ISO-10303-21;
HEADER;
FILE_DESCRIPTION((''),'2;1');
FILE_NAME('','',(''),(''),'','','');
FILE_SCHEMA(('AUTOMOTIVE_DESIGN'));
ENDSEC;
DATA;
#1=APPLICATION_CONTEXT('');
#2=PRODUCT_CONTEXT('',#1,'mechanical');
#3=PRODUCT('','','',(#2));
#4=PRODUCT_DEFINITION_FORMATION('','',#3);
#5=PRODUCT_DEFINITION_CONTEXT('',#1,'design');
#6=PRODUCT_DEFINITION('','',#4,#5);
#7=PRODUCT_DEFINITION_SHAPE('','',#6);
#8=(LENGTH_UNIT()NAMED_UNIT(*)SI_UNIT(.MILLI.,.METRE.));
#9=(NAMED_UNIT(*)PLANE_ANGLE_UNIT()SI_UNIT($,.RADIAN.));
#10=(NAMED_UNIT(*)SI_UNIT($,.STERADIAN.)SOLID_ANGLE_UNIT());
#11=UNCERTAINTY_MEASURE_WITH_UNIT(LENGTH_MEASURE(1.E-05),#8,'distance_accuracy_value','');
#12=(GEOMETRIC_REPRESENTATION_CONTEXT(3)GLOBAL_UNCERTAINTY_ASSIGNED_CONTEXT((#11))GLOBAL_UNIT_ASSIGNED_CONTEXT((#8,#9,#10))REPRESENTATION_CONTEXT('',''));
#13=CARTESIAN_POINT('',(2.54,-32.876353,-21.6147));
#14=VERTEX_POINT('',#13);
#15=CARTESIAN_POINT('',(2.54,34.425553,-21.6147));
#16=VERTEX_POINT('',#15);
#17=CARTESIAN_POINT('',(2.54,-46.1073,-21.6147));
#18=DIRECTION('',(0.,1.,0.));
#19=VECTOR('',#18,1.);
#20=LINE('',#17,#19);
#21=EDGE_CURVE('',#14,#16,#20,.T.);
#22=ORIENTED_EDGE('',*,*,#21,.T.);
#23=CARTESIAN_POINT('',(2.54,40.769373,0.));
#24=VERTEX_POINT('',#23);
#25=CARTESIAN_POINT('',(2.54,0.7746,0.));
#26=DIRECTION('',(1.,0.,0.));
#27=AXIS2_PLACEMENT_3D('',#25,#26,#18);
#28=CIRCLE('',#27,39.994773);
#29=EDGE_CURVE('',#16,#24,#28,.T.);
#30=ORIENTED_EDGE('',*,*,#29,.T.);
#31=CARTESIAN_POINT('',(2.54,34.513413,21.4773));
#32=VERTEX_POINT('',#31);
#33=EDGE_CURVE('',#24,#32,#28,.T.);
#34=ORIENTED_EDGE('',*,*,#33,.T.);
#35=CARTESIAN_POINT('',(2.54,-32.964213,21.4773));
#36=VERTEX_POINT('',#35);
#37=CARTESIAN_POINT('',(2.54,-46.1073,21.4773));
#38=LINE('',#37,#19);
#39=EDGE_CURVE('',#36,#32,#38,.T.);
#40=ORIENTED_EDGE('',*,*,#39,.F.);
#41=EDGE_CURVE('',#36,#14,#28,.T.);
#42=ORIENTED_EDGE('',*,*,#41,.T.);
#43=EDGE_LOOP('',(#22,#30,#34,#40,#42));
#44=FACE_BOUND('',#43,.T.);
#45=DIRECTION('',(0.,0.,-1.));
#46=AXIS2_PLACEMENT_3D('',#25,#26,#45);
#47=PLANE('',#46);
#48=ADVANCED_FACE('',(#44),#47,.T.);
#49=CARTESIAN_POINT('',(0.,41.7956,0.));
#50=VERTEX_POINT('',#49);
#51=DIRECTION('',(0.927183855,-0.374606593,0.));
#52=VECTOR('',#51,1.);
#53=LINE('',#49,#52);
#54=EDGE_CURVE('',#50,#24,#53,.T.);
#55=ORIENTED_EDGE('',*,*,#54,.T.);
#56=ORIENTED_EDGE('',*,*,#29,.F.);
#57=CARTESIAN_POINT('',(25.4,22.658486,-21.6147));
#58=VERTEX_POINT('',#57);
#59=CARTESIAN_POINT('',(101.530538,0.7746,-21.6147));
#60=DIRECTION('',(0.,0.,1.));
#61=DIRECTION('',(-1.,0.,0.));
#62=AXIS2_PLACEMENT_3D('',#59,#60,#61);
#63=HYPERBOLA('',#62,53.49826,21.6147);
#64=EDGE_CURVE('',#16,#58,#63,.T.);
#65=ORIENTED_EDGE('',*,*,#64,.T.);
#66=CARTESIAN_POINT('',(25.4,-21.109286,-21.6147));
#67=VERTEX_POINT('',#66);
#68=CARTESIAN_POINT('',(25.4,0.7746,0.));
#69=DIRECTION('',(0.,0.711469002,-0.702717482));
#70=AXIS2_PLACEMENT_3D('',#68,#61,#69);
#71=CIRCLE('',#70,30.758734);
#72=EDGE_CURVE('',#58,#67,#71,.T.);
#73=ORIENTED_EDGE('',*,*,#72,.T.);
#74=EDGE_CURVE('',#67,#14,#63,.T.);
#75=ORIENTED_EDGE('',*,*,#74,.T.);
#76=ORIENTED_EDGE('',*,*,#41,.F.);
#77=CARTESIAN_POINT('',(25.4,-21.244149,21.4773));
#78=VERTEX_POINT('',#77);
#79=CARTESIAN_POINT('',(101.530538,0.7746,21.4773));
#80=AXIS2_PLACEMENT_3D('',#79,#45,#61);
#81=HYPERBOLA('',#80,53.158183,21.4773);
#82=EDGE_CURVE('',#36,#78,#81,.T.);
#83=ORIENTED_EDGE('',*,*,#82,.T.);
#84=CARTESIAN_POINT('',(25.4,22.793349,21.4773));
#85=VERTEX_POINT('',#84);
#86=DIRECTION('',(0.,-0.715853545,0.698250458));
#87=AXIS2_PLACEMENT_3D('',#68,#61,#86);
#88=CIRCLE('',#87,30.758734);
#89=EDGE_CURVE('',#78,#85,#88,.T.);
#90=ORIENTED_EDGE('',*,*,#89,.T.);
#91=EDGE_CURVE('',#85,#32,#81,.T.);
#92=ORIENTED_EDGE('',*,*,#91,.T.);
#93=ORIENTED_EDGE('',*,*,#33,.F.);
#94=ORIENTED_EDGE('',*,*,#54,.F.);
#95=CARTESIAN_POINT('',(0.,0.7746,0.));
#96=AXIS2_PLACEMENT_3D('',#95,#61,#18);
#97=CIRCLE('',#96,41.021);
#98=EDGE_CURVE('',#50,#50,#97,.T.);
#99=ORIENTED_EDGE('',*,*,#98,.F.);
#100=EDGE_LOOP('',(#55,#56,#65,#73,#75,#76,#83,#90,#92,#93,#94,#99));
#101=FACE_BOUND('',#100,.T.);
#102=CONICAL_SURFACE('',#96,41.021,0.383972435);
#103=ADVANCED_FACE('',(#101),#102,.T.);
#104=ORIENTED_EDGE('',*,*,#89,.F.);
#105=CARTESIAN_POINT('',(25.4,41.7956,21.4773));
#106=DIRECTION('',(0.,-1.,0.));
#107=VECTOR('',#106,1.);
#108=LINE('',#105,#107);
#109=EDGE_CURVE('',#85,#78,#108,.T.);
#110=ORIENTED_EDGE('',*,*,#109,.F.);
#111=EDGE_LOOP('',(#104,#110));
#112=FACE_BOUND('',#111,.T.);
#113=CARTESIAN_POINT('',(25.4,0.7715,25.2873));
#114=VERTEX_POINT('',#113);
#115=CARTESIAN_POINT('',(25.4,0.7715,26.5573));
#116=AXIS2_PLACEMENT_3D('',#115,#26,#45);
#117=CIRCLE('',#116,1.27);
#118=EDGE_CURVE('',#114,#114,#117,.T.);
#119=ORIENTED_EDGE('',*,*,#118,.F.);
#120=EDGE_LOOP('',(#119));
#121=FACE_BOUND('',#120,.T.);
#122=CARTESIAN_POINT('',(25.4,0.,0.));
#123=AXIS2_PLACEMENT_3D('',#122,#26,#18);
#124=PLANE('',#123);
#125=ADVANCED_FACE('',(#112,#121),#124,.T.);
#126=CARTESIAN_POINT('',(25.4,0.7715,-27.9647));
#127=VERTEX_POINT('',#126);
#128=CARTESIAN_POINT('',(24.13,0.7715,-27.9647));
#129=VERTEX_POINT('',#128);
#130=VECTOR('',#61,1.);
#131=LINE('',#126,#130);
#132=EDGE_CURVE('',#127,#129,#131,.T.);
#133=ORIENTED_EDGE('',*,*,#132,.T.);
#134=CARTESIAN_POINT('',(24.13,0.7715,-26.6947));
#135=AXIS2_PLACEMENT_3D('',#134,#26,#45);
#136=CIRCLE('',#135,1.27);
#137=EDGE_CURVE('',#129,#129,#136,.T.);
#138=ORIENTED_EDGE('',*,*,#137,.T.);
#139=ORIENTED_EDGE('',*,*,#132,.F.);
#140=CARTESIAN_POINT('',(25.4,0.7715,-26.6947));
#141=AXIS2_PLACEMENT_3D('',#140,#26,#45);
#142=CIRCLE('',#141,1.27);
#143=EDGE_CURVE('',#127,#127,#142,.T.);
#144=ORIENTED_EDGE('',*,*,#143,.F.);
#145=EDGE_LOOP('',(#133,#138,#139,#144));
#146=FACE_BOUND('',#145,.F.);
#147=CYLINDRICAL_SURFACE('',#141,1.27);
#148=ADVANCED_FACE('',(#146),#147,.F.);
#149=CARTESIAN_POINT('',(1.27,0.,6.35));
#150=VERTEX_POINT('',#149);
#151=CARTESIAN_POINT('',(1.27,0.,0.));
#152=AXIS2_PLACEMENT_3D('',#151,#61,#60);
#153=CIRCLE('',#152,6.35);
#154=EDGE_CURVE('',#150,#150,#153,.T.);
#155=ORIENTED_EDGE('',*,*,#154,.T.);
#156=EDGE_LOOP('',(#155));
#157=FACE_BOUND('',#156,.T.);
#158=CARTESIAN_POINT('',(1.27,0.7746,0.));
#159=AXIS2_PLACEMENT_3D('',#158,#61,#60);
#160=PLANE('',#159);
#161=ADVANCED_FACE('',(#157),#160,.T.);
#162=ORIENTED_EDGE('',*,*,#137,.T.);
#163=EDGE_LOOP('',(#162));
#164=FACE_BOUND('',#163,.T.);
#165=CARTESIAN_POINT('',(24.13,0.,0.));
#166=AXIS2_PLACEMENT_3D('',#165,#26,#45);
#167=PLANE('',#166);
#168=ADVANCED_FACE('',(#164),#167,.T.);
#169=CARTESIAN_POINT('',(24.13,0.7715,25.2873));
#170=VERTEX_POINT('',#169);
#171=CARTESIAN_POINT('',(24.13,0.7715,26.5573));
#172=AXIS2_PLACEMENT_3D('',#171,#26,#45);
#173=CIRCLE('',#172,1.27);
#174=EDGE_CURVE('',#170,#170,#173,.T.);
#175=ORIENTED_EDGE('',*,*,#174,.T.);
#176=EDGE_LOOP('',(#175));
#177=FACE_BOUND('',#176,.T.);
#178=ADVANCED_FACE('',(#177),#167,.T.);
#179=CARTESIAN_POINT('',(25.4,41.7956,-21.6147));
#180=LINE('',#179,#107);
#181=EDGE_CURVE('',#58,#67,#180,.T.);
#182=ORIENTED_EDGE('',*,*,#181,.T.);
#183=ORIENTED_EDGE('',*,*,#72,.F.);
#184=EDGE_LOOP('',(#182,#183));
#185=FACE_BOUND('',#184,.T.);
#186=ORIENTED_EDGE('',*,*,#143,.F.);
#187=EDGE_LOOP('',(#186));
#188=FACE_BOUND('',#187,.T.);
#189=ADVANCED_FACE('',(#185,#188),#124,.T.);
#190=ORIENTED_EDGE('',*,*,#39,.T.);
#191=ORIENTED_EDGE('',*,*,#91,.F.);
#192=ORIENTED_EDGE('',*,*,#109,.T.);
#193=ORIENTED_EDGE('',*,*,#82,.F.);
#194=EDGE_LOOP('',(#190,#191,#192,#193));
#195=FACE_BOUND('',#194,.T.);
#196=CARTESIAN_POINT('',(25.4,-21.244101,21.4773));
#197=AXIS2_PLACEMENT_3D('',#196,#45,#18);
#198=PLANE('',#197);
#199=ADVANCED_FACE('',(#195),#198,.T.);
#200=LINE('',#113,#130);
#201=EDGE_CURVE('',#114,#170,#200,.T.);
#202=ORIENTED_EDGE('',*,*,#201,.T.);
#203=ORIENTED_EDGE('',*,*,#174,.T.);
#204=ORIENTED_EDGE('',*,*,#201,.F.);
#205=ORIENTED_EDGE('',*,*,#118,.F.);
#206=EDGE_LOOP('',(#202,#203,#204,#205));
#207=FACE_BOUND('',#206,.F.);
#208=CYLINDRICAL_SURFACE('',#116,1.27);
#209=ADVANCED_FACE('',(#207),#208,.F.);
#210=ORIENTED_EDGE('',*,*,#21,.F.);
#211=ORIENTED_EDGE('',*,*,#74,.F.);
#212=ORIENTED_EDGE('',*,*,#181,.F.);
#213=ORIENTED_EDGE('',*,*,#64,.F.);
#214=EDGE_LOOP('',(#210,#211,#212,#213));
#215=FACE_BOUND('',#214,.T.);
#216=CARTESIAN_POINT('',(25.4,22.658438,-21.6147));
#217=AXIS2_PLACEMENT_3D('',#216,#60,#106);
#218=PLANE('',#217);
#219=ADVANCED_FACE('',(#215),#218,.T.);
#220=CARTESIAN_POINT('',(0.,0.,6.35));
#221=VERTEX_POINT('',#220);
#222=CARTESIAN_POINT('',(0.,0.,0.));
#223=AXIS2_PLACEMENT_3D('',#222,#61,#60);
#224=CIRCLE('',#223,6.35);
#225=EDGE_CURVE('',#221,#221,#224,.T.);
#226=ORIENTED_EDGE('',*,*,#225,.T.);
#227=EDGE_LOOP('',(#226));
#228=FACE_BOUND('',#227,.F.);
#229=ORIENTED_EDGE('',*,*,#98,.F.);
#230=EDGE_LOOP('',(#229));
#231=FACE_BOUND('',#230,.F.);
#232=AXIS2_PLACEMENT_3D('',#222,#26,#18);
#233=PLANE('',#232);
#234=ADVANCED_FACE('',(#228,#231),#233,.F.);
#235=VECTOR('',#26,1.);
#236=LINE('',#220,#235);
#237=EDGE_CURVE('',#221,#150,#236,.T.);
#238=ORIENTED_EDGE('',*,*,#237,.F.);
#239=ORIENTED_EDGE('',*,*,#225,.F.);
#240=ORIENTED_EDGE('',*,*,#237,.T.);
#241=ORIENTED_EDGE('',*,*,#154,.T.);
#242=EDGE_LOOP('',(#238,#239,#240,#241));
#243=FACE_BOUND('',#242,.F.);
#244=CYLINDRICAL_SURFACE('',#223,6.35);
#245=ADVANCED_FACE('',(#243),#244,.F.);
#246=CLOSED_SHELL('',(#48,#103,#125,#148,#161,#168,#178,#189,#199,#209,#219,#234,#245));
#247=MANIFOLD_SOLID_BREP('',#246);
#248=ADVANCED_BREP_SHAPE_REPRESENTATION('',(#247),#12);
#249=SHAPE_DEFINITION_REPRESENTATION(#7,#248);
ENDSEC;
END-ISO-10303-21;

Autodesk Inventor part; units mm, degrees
ref_plane "YZ Plane" through (0, 0, 0) normal (1, 0, 0) x (0, 1, 0)
ref_plane "XZ Plane" through (0, 0, 0) normal (0, 1, 0) x (-1, 0, 0)
ref_plane "XY Plane" through (0, 0, 0) normal (0, 0, 1) x (1, 0, 0)
sketch "Sketch1" plane through (0, 0, 0) normal (1, 0, 0) x (0, 1, 0)
  circle A0 centre (0.7746, 0) radius 41.021
  point P0 (0, 0)
  dimension "d1" = 82.042
extrude "Extrusion1" add sketch "Sketch1" along normal blind 25.4 draft -22
sketch "Sketch3" plane through (25.4, 0.7746, 0) normal (1, 0, 0) x (0, 0, -1)
  circle A0 centre (0, 0) radius 30.7587 projected
  line L0 (0, 0) -> (-21.4773, 0)
  line L1 (-21.4773, 0) -> (-21.4773, 41.021)
  line L2 (-21.4773, 41.021) -> (0, 41.021)
  line L3 (0, 41.021) -> (0, 0)
  line L4 (30.7587, 0) -> (21.6147, 0)
  line L5 (-21.4773, 41.021) -> (21.6147, 41.021)
  line L6 (21.6147, 41.021) -> (21.6147, -46.8819)
  line L7 (21.6147, -46.8819) -> (-21.4773, -46.8819)
  line L8 (-21.4773, -46.8819) -> (-21.4773, 41.021)
  point P0 (0, -0.7746)
  dimension "d5" = 9.144
extrude "Extrusion2" cut sketch "Sketch3" against normal blind 22.86 contours L6 A0 L8 L0 L3 | A0 L3 L5 L6 | L6 L7 L8 A0 | L3 L0 L1 A0 | A0 L1 L2 L3
sketch "Sketch5" plane through (0, 0.7746, 0) normal (-1, 0, 0) x (0, 0, 1)
  circle A0 centre (0, -0.7746) radius 6.35
  dimension "d13" = 12.7
extrude "Extrusion4" cut sketch "Sketch5" against normal blind 1.27
sketch "Sketch6" plane through (25.4, 0, 0) normal (1, 0, 0) x (0, 0, -1)
  circle A0 centre (-26.5573, 0.7715) radius 1.27
  circle A1 centre (-26.5573, 0.7715) radius 1.27
  point P0 (0, 0)
extrude "Extrusion5" cut sketch "Sketch6" against normal blind 1.27
sketch "Sketch8" plane through (25.4, 0, 0) normal (1, 0, 0) x (0, 0, -1)
  circle A0 centre (26.6947, 0.7715) radius 1.27 projected
  point P0 (0, 0)
extrude "Extrusion7" cut sketch "Sketch8" against normal blind 1.27
properties part number "1st base" material "UHMW, White"
